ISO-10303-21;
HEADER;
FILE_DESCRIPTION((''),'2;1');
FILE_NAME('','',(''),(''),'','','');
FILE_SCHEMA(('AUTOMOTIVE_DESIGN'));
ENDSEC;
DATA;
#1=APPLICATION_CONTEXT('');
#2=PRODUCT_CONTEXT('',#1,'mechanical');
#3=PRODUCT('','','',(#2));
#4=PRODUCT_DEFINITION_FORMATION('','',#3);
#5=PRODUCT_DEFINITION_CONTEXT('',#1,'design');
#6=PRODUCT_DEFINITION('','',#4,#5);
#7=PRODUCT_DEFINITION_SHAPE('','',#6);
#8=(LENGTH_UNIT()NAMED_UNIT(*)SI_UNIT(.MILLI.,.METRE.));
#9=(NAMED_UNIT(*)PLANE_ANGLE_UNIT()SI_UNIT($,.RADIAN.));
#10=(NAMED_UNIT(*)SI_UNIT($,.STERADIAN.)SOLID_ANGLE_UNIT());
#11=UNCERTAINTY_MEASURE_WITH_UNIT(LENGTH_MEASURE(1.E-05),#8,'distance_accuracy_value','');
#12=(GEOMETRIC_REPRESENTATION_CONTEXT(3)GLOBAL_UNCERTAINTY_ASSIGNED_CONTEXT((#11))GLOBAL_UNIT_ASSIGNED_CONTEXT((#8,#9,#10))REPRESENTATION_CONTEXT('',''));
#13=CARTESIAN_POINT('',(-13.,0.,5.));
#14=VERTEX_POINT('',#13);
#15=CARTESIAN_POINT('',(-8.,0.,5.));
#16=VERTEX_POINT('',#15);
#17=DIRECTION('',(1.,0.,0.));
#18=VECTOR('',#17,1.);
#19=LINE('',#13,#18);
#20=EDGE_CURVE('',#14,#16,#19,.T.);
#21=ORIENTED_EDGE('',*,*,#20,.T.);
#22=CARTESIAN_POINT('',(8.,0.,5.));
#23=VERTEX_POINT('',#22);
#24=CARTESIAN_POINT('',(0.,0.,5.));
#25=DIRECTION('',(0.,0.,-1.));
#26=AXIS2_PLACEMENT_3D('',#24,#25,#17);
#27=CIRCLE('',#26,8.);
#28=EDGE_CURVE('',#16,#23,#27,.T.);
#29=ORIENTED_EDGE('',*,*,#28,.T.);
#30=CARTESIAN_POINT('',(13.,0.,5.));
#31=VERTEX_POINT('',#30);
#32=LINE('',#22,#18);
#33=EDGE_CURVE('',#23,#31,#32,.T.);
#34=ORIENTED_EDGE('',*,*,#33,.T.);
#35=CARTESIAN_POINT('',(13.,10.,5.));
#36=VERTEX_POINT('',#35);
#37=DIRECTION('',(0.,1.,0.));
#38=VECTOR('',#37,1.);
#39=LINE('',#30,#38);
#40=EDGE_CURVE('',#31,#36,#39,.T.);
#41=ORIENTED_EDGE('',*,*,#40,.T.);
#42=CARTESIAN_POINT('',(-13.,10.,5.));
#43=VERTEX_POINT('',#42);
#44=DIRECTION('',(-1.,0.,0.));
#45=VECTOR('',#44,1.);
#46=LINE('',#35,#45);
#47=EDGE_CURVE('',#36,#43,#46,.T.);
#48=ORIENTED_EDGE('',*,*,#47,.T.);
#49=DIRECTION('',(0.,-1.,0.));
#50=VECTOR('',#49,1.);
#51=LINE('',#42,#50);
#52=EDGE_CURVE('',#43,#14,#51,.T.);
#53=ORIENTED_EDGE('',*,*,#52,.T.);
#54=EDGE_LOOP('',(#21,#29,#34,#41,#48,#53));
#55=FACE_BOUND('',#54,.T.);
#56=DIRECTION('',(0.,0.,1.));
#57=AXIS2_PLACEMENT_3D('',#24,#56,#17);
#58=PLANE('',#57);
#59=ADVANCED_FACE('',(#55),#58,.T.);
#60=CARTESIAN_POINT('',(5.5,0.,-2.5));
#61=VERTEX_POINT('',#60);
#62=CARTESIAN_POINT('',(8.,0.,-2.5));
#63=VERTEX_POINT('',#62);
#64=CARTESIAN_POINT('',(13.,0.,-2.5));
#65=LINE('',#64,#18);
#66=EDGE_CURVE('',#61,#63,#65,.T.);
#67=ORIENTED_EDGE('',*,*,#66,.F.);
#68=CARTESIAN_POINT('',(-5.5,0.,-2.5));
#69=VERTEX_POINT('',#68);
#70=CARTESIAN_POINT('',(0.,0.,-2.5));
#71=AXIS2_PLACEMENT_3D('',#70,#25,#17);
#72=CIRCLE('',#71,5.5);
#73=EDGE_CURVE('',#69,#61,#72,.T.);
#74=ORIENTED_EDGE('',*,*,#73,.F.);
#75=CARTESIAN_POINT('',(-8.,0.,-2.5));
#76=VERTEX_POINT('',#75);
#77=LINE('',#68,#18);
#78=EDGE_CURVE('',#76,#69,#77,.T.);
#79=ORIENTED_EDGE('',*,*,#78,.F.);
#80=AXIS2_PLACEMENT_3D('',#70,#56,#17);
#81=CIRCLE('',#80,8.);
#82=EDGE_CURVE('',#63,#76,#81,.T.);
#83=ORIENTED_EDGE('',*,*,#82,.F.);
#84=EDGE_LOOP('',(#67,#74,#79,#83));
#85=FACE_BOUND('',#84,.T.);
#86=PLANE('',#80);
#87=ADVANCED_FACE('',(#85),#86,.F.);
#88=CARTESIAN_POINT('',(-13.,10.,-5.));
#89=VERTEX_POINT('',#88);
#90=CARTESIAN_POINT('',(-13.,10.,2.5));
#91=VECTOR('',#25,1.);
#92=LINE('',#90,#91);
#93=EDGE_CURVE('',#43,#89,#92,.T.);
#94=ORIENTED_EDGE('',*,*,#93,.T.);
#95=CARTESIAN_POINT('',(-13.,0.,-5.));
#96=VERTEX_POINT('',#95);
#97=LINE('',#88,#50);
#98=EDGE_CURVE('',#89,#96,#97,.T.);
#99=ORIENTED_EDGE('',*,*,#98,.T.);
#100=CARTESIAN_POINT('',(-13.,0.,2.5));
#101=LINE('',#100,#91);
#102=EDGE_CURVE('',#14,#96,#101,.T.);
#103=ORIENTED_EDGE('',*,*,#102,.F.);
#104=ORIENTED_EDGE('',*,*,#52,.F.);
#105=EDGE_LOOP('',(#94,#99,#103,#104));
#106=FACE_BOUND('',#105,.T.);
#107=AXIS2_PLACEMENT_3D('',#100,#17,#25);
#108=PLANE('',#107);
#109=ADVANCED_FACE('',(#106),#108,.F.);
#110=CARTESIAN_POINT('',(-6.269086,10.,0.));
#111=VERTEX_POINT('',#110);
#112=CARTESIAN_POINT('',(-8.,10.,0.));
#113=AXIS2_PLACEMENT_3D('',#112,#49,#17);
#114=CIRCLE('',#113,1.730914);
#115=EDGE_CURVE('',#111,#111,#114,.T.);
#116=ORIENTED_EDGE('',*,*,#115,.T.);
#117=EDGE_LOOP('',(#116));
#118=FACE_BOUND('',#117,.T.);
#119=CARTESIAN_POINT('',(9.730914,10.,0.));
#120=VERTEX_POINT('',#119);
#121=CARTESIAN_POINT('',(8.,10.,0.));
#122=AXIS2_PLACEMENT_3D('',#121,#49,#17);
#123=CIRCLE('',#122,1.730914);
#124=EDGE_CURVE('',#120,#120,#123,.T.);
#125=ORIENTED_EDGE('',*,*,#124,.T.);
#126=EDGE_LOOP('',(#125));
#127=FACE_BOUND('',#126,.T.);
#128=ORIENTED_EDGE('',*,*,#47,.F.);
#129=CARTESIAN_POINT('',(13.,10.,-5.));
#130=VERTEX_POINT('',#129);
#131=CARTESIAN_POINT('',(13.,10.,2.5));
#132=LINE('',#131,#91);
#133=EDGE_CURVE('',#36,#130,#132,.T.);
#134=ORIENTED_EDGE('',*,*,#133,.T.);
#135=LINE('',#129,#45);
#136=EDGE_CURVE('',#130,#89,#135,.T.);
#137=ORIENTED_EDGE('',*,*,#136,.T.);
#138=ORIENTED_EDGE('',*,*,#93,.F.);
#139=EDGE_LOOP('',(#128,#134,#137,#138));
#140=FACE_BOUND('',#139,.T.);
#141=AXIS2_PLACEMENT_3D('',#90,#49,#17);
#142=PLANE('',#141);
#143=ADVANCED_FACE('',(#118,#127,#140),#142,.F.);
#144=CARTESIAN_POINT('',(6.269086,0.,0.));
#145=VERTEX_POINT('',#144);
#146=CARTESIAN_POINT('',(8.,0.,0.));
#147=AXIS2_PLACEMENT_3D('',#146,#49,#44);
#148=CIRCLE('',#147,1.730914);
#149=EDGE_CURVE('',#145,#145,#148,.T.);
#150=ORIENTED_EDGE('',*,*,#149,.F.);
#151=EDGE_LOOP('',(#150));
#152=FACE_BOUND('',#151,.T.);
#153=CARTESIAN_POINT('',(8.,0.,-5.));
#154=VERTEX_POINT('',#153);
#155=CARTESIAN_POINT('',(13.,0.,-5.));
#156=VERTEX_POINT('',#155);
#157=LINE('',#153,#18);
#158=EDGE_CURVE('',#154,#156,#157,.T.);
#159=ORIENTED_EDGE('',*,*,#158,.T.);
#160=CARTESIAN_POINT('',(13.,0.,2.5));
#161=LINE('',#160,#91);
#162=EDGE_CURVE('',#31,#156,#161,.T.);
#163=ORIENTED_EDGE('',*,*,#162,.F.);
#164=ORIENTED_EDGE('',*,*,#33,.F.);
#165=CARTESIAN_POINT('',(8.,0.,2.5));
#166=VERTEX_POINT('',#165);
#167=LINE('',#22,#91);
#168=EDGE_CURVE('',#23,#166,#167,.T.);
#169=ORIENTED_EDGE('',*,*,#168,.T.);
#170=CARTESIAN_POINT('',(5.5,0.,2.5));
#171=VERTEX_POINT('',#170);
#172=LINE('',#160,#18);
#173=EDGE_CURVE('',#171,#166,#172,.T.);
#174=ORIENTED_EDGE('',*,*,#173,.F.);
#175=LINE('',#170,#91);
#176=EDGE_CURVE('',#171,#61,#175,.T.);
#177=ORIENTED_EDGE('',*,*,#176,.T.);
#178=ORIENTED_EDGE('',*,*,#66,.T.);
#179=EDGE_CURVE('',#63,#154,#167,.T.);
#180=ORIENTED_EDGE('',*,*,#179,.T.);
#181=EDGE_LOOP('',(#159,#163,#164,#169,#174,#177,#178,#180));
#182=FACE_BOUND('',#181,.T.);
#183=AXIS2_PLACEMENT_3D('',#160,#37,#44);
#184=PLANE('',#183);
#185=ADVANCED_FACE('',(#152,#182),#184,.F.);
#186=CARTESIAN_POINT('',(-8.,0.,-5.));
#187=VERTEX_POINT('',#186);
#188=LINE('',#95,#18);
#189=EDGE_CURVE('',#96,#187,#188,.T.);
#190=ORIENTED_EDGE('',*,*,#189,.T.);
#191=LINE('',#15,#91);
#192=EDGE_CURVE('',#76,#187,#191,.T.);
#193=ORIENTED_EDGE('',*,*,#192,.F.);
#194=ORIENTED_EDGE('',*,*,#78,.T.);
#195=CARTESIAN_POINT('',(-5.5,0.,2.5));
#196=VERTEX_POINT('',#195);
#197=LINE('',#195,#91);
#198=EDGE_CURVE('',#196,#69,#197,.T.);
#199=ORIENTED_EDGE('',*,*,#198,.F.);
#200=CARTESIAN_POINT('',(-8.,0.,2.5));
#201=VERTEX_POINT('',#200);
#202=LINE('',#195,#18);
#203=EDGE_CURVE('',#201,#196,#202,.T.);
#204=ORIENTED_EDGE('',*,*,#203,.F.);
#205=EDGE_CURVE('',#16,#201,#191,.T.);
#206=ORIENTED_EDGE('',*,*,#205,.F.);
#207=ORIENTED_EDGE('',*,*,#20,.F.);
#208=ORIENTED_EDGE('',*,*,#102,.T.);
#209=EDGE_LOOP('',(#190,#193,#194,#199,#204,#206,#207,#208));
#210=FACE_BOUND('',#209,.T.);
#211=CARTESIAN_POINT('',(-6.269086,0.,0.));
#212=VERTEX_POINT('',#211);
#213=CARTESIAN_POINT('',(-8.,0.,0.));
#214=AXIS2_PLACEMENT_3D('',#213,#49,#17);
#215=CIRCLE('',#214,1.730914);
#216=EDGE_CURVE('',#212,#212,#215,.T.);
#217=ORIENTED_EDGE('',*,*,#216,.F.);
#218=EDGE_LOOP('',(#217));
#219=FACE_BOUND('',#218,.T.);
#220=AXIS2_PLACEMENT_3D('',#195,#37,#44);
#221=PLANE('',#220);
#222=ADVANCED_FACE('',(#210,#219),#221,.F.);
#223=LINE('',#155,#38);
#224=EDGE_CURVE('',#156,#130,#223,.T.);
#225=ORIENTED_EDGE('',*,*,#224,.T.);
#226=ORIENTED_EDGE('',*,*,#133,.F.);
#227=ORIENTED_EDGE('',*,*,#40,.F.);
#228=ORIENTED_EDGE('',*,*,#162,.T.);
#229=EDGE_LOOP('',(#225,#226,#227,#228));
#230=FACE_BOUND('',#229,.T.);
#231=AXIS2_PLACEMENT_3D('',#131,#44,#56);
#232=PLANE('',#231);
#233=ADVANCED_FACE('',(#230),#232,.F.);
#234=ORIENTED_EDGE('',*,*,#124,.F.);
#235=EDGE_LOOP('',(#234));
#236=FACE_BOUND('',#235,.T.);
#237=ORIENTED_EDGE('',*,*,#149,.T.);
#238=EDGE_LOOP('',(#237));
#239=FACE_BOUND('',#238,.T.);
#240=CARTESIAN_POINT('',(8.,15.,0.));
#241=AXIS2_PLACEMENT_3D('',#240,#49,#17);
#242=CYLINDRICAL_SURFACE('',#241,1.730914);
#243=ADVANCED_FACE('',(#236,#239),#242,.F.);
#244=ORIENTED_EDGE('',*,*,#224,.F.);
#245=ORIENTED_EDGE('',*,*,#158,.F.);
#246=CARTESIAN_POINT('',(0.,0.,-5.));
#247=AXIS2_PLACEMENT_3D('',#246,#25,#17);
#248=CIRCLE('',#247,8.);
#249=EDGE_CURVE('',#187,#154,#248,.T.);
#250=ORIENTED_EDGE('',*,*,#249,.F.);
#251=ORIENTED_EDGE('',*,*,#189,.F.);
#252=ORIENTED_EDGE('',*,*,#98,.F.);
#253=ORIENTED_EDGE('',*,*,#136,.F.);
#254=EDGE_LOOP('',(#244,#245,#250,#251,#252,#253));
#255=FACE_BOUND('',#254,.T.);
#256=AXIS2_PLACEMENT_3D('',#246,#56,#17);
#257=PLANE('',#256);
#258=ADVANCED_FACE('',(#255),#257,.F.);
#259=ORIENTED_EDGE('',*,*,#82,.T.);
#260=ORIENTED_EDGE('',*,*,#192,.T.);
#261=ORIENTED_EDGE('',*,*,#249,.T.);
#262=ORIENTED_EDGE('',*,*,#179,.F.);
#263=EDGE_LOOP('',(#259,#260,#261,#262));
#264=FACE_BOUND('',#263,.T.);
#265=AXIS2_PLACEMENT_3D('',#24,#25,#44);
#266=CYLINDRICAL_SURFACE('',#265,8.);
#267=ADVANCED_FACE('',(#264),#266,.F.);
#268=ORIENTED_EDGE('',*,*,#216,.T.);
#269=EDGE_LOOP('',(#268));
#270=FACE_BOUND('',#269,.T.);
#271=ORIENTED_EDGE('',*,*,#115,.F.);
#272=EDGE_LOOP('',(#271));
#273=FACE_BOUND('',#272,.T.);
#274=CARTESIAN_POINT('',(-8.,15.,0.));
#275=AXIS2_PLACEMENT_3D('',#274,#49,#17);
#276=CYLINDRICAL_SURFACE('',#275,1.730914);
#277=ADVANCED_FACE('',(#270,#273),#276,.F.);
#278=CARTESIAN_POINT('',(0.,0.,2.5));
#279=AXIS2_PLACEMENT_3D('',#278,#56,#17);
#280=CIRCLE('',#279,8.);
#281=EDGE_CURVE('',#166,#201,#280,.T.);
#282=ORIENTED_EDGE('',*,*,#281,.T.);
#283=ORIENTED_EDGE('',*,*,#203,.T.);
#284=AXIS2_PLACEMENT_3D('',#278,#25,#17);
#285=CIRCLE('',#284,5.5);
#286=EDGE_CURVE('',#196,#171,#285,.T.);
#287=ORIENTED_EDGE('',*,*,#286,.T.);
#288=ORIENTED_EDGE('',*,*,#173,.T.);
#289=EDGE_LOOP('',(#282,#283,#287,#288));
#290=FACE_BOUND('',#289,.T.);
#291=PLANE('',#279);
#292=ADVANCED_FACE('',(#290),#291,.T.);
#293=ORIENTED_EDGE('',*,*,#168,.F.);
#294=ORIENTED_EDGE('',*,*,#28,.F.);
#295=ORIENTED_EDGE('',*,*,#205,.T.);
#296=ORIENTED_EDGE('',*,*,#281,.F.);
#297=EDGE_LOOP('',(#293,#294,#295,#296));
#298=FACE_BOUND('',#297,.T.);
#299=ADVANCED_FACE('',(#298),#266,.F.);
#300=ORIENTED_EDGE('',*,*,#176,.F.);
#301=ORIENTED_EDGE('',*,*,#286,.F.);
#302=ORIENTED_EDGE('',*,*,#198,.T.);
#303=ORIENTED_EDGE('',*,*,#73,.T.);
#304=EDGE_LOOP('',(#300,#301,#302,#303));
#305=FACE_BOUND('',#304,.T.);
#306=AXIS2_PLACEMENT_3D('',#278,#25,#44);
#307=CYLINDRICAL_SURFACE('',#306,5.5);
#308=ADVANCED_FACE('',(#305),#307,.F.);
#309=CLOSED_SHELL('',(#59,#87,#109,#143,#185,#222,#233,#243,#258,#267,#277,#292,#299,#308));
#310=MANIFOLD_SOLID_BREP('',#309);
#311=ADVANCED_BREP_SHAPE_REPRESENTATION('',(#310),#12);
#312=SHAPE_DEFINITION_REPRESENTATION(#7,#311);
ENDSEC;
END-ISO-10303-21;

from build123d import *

# Parameters (mm, degrees)
RESSALTO_EXTRUS_O1_DEPTH = 2.5
RESSALTO_EXTRUS_O2_DEPTH = 5
ESBO_O2_R                = 1.730913938
CORTE_EXTRUS_O1_DEPTH    = 15


with BuildPart() as part:
    # Esboço1 → Ressalto-extrusão1 (new, symmetric)
    with BuildSketch(Plane.XY):
        with BuildLine():
            Line((-5.5, 0), (-13, 0))
            Line((-13, 0), (-13, 10))
            Line((-13, 10), (13, 10))
            Line((13, 10), (13, 0))
            Line((13, 0), (5.5, 0))
            ThreePointArc((5.5, 0), (0, 5.5), (-5.5, 0))
        make_face()
    extrude(amount=RESSALTO_EXTRUS_O1_DEPTH, both=True)

    # Esboço3 → Ressalto-extrusão2 (add, symmetric)
    with BuildSketch(Plane.XY):
        with BuildLine():
            Line((-13, 10), (-13, 0))
            Line((-13, 0), (-8, 0))
            ThreePointArc((-8, 0), (0, 8), (8, 0))
            Line((8, 0), (13, 0))
            Line((13, 0), (13, 10))
            Line((13, 10), (-13, 10))
        make_face()
    extrude(amount=RESSALTO_EXTRUS_O2_DEPTH, both=True)

    # Esboço2 → Corte-extrusão1 (cut)
    with BuildSketch(Plane.XZ):
        with Locations((-8, 0)):
            Circle(ESBO_O2_R)
        with Locations((8, 0)):
            Circle(ESBO_O2_R)
    extrude(amount=-CORTE_EXTRUS_O1_DEPTH, mode=Mode.SUBTRACT)


solid = part.part
